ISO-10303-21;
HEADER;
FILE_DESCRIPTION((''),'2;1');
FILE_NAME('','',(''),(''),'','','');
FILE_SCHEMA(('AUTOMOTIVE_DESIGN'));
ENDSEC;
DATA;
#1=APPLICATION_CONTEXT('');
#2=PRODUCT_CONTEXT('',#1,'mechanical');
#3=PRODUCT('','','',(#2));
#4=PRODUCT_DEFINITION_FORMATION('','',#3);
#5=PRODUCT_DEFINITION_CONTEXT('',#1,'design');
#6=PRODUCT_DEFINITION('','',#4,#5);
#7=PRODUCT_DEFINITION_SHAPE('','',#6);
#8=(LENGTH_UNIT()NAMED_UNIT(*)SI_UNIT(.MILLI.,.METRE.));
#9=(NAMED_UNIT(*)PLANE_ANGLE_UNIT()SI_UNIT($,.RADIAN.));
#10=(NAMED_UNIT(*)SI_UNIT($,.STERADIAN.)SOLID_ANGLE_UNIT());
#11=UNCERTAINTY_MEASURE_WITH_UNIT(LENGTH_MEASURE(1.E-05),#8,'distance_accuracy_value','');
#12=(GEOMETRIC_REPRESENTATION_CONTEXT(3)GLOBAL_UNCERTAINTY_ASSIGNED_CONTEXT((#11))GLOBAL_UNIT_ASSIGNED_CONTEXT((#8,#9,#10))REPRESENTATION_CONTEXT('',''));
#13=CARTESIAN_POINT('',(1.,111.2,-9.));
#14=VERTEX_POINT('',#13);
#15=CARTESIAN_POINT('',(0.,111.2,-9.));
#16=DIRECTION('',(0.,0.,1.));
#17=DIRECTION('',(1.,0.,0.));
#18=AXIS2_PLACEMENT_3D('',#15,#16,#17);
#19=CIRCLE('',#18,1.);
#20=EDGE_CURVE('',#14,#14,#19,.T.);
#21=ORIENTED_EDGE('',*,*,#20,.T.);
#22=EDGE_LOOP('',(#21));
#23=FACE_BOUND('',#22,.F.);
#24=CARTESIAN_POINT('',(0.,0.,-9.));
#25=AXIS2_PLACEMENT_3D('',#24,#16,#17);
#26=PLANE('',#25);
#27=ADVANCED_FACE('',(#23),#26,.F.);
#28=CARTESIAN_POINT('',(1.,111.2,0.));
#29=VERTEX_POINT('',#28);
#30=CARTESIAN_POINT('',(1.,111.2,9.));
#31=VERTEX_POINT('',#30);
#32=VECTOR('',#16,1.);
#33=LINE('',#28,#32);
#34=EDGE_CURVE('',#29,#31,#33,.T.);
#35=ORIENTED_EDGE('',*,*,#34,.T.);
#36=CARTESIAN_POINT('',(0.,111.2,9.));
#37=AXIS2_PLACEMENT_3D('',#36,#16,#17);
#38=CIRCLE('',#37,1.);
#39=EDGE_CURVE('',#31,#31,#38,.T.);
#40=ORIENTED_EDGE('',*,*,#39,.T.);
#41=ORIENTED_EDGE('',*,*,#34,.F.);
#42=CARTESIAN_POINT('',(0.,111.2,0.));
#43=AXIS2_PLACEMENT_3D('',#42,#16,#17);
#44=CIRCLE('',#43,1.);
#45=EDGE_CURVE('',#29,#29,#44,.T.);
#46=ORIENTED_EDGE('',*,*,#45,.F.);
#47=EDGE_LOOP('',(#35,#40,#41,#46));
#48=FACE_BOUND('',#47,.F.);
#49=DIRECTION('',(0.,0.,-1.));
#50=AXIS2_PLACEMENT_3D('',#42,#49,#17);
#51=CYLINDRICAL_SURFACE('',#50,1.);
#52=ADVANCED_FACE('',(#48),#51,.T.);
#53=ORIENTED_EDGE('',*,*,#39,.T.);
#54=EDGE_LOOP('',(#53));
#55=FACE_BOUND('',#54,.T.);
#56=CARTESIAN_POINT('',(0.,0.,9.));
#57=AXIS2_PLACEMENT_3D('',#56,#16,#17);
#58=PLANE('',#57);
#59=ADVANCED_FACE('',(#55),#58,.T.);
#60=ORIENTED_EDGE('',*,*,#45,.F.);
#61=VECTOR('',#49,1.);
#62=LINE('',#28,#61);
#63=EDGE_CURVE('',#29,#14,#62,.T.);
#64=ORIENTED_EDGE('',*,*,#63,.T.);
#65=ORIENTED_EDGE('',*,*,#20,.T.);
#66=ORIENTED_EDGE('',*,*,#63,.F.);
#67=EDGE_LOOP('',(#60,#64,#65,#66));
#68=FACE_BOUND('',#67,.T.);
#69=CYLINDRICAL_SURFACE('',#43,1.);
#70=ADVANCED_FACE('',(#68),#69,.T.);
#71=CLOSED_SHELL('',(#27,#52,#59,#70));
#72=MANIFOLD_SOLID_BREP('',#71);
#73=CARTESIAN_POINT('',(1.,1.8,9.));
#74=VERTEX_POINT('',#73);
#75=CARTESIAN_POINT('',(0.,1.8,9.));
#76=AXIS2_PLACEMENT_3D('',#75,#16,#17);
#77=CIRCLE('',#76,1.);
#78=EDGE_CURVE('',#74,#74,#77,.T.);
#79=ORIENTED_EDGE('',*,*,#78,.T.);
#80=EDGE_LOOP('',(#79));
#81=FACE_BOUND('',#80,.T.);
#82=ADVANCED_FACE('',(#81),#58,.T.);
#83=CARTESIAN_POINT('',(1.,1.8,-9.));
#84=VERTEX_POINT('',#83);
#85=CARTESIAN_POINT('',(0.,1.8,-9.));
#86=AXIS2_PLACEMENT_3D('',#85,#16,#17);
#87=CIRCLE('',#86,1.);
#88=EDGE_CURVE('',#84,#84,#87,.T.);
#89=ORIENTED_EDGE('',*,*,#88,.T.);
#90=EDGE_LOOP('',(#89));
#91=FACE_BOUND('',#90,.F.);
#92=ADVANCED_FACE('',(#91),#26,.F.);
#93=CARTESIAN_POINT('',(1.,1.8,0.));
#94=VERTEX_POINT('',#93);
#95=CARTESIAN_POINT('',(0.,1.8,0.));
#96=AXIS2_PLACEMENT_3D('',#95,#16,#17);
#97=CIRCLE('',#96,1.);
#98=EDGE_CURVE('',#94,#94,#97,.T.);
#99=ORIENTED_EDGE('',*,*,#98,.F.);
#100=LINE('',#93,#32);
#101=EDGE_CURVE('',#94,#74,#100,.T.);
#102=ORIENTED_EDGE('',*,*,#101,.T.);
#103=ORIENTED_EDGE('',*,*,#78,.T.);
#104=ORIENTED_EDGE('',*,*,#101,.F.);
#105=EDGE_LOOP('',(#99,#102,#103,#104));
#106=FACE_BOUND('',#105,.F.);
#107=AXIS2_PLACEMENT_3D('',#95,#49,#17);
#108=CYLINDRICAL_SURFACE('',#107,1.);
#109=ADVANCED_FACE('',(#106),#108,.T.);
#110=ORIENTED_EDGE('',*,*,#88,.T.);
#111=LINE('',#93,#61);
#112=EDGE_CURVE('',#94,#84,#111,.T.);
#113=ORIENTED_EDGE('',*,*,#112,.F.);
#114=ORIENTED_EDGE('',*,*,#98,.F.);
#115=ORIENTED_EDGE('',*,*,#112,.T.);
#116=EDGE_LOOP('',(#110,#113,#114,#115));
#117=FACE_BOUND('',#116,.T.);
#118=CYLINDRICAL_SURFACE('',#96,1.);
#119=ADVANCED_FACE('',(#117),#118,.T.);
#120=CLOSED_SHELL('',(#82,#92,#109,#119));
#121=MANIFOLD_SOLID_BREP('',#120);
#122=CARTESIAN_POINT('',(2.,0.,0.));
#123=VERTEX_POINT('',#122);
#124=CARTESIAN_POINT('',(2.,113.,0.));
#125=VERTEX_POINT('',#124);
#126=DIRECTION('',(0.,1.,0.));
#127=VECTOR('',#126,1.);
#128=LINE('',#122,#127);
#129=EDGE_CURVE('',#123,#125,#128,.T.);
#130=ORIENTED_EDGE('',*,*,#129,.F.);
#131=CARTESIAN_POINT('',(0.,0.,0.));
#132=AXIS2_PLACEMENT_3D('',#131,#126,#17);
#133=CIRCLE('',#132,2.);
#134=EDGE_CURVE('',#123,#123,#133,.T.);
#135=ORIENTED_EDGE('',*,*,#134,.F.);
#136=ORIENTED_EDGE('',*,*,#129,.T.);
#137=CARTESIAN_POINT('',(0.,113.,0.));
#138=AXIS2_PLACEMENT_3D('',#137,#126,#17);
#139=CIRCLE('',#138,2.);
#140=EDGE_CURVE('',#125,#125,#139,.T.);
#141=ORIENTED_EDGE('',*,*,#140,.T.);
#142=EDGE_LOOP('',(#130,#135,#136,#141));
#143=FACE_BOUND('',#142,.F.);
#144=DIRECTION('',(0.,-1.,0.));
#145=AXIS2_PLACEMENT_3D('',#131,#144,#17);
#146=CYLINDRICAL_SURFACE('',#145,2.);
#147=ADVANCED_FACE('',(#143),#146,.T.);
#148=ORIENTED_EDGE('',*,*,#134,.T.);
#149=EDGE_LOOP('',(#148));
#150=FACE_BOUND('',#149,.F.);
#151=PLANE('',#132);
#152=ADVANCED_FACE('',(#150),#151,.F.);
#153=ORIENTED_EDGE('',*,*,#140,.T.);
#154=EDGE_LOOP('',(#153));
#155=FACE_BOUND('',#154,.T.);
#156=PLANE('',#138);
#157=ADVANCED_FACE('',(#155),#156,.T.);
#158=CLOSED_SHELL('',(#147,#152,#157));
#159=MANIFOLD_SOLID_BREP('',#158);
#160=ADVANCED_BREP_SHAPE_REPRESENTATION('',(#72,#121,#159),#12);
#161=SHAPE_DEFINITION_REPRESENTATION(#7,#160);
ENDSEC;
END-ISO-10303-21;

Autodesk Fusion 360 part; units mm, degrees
sketch "Sketch1" plane through (0, 0, 0) normal (0, 1, 0) x (1, 0, 0)
  circle A0 centre (0, 0) radius 2
  dimension "d5" = 4
extrude "Extrude1" add sketch "Sketch1" along normal blind 113 makes body 1
sketch "Sketch2" plane through (0, 0, 0) normal (0, 0, 1) x (1, 0, 0)
  circle A0 centre (0, 1.8) radius 1
  circle A1 centre (0, 111.2) radius 1
  line L0 (2, 113) -> (-2, 113)
  dimension "d9" = 2
  dimension "d10" = 2
  dimension "d15" = 1.8
  dimension "d16" = 1.8
extrude "Extrude2" add sketch "Sketch2" along normal mid plane 18 separate body contours A1 makes body 2
extrude "Extrude3" add sketch "Sketch2" along normal mid plane 18 separate body contours A0 makes body 3
equation "length = 113 mm"
equation "radius = 2 mm"
equation "cup_little_bone_radius = 1 mm"
equation "cup_little_bone_length = 18 mm"
equation "d5 = radius * 2"
equation "edge_cup_little_bone_distance = 1.8 mm"
equation "d7 = length"
equation "d9 = cup_little_bone_radius * 2"
equation "d10 = cup_little_bone_radius * 2"
equation "d11 = cup_little_bone_length / 2"
equation "d13 = cup_little_bone_length / 2"
equation "d15 = edge_cup_little_bone_distance"
equation "d16 = edge_cup_little_bone_distance"
